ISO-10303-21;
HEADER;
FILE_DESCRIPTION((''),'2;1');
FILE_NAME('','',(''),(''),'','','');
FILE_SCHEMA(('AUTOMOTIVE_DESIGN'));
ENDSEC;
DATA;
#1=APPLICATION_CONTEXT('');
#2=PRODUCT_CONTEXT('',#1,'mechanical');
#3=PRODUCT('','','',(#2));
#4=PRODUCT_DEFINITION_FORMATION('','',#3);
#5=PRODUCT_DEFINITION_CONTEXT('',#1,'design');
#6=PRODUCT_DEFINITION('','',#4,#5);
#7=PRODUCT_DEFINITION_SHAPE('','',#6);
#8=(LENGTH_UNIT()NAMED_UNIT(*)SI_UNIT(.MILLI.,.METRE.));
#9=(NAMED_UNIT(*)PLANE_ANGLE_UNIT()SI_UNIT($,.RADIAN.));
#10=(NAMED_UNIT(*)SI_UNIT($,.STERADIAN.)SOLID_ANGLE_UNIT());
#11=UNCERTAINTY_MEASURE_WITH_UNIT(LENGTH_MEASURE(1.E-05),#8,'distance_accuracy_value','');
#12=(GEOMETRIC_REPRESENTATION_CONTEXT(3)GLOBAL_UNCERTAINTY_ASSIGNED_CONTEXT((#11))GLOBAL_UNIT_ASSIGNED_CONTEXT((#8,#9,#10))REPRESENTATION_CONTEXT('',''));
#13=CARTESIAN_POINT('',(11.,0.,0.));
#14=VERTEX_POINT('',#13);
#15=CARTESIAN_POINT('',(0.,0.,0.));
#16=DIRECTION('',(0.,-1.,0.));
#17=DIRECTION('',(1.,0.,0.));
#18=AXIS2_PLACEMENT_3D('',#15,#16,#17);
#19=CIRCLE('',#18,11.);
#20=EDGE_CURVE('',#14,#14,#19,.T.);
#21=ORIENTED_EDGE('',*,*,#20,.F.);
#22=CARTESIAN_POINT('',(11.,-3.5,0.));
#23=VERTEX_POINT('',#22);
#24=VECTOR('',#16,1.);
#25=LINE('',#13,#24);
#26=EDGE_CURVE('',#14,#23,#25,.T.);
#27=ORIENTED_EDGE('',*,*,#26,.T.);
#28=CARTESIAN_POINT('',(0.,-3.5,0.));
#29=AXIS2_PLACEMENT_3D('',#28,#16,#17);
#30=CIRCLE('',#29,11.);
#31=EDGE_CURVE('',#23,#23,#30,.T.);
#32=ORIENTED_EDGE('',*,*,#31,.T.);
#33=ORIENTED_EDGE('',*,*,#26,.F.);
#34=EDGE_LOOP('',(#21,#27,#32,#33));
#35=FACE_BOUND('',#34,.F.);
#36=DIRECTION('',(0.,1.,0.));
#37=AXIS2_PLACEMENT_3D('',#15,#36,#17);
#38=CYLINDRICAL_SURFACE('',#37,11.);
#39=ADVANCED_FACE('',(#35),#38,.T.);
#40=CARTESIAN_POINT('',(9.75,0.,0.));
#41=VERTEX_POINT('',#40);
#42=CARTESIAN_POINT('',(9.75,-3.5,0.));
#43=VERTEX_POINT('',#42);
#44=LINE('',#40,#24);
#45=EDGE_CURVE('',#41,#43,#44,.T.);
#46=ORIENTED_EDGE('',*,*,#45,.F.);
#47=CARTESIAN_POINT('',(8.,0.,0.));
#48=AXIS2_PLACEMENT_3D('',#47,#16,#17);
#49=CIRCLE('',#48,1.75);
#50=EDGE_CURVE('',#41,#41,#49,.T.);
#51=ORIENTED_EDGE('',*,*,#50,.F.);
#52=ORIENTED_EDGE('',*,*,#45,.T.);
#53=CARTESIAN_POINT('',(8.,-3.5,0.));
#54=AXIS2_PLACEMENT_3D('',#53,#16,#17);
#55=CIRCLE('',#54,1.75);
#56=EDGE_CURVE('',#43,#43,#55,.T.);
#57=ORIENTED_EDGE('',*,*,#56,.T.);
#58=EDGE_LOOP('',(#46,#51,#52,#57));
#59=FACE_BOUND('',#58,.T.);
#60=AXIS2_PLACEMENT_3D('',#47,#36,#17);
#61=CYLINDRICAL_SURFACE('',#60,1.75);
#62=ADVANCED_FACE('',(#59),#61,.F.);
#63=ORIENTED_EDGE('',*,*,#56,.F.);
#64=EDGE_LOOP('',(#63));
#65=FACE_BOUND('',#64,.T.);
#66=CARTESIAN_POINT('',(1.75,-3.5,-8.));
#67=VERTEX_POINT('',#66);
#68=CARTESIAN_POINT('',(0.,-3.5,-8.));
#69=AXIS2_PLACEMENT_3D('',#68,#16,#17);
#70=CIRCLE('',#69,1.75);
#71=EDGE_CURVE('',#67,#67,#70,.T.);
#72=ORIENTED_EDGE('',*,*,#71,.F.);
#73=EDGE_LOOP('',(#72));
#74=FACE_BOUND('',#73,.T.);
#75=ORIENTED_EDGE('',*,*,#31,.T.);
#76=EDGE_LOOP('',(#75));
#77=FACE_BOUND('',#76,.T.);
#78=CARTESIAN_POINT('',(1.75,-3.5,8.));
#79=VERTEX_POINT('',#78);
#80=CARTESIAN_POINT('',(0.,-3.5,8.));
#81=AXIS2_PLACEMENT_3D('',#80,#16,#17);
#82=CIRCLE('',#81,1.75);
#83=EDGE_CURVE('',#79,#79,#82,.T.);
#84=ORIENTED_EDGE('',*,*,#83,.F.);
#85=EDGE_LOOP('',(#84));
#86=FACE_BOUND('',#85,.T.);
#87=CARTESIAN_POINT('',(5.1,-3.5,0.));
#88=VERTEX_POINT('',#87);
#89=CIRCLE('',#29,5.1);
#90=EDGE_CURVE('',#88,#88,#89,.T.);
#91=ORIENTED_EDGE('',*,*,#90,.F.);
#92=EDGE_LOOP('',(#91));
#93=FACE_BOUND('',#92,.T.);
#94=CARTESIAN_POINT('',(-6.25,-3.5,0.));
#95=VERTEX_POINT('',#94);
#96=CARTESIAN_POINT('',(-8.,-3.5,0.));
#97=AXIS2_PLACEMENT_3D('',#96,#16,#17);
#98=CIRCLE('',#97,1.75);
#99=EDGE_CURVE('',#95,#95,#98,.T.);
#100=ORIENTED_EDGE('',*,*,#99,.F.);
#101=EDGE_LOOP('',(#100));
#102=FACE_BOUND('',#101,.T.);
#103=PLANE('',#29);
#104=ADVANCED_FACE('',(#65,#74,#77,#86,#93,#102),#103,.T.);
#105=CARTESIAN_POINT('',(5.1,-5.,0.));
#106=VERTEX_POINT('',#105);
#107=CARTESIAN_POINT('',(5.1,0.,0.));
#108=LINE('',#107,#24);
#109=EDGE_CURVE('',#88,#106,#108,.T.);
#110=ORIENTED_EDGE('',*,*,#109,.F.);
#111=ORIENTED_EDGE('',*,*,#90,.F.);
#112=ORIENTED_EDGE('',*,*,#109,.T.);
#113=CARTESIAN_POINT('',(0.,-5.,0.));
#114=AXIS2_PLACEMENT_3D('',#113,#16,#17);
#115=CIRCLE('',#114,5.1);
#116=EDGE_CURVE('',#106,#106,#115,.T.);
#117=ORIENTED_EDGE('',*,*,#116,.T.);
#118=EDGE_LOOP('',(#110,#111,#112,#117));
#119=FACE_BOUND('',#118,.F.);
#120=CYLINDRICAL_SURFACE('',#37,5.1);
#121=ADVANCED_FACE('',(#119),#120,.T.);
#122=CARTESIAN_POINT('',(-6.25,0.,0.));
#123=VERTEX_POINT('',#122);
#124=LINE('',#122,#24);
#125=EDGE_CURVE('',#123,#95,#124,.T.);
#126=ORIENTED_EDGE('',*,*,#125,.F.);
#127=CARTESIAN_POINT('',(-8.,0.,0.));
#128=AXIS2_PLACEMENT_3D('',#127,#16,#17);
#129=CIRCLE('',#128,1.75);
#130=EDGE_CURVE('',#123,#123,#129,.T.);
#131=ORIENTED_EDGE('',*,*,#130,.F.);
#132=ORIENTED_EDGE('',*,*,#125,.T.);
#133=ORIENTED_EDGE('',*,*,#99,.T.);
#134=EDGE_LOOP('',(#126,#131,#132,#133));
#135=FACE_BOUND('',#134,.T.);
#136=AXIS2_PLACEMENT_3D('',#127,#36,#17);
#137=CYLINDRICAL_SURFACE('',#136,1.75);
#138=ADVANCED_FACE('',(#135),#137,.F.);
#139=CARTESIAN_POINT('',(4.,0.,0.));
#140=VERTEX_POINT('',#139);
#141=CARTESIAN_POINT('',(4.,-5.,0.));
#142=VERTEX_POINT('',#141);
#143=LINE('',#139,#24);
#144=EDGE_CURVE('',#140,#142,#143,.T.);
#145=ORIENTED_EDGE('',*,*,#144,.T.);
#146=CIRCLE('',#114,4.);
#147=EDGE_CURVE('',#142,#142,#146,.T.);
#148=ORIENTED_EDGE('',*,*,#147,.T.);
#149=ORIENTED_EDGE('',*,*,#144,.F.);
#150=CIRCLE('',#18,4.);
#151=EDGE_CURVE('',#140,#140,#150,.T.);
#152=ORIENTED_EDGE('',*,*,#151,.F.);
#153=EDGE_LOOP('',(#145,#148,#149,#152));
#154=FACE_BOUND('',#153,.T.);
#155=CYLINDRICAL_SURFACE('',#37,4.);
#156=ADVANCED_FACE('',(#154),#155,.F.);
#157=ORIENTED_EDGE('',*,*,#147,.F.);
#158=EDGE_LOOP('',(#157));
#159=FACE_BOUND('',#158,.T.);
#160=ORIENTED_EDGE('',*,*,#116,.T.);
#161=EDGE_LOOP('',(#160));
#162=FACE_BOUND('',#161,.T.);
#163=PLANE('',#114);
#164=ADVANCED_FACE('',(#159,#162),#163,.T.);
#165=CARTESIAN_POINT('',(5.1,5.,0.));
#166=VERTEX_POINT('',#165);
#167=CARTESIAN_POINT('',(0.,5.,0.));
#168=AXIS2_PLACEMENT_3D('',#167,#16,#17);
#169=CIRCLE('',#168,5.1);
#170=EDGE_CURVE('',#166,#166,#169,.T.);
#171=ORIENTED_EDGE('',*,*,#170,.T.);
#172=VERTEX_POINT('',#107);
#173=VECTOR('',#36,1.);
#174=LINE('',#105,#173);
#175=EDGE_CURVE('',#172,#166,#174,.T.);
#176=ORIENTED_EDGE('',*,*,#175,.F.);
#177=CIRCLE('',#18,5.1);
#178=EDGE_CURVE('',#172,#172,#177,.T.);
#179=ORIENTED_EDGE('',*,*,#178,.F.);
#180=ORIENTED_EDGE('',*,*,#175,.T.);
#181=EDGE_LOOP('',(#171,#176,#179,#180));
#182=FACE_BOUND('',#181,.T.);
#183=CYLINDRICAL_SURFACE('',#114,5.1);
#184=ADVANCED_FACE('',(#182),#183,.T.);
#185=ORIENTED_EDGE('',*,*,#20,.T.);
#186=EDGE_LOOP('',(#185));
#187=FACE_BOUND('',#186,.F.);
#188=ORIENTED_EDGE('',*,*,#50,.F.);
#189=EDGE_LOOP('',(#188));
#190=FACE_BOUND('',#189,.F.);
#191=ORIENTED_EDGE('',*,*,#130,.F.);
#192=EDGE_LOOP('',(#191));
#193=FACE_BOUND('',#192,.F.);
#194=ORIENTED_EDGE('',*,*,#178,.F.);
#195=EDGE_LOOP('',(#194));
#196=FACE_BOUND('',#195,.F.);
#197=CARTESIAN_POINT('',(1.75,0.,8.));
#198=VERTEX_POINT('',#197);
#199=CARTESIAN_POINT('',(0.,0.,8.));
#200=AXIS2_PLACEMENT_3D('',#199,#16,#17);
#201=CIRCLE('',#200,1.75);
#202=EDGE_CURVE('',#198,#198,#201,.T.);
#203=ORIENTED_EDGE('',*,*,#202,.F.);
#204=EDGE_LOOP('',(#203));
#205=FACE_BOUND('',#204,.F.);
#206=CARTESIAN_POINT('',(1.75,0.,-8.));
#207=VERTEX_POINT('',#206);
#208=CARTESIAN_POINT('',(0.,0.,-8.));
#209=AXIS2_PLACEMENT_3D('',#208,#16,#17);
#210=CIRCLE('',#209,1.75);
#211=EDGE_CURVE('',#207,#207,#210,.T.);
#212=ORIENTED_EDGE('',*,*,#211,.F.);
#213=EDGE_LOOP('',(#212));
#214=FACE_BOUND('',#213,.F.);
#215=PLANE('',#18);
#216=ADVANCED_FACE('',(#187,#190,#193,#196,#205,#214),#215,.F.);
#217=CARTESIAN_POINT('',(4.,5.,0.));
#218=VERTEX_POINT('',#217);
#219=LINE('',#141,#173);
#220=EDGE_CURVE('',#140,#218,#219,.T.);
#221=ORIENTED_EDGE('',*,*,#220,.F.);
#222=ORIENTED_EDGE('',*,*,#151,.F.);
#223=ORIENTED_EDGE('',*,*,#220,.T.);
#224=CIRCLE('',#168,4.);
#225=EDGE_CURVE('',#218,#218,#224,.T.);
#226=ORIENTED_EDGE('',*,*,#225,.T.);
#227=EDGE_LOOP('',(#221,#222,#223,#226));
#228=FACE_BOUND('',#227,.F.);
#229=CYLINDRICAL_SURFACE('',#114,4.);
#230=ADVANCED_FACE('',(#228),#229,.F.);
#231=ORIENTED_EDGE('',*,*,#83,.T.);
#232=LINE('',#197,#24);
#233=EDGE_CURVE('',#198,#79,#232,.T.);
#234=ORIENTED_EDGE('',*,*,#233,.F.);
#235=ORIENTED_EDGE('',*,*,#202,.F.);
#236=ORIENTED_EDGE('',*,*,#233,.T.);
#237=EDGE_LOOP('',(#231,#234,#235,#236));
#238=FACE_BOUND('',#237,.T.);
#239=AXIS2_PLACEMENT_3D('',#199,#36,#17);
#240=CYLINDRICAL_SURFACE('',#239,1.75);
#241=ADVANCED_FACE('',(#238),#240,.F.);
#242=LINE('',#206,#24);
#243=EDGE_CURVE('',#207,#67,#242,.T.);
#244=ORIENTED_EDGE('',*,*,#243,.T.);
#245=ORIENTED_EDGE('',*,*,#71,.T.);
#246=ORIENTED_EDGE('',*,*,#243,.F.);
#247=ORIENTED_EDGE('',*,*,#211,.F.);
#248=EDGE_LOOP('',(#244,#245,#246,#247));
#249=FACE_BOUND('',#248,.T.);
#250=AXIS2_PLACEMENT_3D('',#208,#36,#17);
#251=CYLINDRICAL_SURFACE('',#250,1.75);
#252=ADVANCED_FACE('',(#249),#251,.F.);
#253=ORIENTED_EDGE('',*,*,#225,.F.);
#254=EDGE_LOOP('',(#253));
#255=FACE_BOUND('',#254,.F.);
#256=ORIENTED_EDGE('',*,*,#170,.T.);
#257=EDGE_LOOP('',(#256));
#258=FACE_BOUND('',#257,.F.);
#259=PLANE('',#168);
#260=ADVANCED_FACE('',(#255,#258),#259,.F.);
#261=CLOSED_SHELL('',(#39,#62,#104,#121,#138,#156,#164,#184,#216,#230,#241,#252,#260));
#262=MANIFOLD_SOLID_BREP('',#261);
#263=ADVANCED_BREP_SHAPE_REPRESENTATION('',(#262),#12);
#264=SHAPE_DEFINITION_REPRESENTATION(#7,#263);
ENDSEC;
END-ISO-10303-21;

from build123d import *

# Parameters (mm, degrees)
F0_R        = 11
F0_R_2      = 1.75
F0_R_3      = 5.1
F1_DEPTH    = 3.5
F0_R_4      = 4
F2_DEPTH    = 5
F2_FACE_R   = 5.1
F2_FACE_R_2 = 4
F3_DEPTH    = 10


with BuildPart() as f1:
    # F0 (on Front) → F1 (new body)
    with BuildSketch(Plane.XZ):
        Circle(F0_R)
        with Locations((0, -8)):
            Circle(F0_R_2, mode=Mode.SUBTRACT)
        with Locations((-8, 0)):
            Circle(F0_R_2, mode=Mode.SUBTRACT)
        Circle(F0_R_3, mode=Mode.SUBTRACT)
        with Locations((8, 0)):
            Circle(F0_R_2, mode=Mode.SUBTRACT)
        with Locations((0, 8)):
            Circle(F0_R_2, mode=Mode.SUBTRACT)
    extrude(amount=F1_DEPTH)

    # F0 (on Front) → F2 (join)
    with BuildSketch(Plane.XZ):
        Circle(F0_R_3)
        Circle(F0_R_4, mode=Mode.SUBTRACT)
    extrude(amount=F2_DEPTH)

    # F2_face (on face) → F3 (join)
    with BuildSketch(Plane.XZ.offset(5)):
        Circle(F2_FACE_R)
        Circle(F2_FACE_R_2, mode=Mode.SUBTRACT)
    extrude(amount=-F3_DEPTH)


solid = f1.part
